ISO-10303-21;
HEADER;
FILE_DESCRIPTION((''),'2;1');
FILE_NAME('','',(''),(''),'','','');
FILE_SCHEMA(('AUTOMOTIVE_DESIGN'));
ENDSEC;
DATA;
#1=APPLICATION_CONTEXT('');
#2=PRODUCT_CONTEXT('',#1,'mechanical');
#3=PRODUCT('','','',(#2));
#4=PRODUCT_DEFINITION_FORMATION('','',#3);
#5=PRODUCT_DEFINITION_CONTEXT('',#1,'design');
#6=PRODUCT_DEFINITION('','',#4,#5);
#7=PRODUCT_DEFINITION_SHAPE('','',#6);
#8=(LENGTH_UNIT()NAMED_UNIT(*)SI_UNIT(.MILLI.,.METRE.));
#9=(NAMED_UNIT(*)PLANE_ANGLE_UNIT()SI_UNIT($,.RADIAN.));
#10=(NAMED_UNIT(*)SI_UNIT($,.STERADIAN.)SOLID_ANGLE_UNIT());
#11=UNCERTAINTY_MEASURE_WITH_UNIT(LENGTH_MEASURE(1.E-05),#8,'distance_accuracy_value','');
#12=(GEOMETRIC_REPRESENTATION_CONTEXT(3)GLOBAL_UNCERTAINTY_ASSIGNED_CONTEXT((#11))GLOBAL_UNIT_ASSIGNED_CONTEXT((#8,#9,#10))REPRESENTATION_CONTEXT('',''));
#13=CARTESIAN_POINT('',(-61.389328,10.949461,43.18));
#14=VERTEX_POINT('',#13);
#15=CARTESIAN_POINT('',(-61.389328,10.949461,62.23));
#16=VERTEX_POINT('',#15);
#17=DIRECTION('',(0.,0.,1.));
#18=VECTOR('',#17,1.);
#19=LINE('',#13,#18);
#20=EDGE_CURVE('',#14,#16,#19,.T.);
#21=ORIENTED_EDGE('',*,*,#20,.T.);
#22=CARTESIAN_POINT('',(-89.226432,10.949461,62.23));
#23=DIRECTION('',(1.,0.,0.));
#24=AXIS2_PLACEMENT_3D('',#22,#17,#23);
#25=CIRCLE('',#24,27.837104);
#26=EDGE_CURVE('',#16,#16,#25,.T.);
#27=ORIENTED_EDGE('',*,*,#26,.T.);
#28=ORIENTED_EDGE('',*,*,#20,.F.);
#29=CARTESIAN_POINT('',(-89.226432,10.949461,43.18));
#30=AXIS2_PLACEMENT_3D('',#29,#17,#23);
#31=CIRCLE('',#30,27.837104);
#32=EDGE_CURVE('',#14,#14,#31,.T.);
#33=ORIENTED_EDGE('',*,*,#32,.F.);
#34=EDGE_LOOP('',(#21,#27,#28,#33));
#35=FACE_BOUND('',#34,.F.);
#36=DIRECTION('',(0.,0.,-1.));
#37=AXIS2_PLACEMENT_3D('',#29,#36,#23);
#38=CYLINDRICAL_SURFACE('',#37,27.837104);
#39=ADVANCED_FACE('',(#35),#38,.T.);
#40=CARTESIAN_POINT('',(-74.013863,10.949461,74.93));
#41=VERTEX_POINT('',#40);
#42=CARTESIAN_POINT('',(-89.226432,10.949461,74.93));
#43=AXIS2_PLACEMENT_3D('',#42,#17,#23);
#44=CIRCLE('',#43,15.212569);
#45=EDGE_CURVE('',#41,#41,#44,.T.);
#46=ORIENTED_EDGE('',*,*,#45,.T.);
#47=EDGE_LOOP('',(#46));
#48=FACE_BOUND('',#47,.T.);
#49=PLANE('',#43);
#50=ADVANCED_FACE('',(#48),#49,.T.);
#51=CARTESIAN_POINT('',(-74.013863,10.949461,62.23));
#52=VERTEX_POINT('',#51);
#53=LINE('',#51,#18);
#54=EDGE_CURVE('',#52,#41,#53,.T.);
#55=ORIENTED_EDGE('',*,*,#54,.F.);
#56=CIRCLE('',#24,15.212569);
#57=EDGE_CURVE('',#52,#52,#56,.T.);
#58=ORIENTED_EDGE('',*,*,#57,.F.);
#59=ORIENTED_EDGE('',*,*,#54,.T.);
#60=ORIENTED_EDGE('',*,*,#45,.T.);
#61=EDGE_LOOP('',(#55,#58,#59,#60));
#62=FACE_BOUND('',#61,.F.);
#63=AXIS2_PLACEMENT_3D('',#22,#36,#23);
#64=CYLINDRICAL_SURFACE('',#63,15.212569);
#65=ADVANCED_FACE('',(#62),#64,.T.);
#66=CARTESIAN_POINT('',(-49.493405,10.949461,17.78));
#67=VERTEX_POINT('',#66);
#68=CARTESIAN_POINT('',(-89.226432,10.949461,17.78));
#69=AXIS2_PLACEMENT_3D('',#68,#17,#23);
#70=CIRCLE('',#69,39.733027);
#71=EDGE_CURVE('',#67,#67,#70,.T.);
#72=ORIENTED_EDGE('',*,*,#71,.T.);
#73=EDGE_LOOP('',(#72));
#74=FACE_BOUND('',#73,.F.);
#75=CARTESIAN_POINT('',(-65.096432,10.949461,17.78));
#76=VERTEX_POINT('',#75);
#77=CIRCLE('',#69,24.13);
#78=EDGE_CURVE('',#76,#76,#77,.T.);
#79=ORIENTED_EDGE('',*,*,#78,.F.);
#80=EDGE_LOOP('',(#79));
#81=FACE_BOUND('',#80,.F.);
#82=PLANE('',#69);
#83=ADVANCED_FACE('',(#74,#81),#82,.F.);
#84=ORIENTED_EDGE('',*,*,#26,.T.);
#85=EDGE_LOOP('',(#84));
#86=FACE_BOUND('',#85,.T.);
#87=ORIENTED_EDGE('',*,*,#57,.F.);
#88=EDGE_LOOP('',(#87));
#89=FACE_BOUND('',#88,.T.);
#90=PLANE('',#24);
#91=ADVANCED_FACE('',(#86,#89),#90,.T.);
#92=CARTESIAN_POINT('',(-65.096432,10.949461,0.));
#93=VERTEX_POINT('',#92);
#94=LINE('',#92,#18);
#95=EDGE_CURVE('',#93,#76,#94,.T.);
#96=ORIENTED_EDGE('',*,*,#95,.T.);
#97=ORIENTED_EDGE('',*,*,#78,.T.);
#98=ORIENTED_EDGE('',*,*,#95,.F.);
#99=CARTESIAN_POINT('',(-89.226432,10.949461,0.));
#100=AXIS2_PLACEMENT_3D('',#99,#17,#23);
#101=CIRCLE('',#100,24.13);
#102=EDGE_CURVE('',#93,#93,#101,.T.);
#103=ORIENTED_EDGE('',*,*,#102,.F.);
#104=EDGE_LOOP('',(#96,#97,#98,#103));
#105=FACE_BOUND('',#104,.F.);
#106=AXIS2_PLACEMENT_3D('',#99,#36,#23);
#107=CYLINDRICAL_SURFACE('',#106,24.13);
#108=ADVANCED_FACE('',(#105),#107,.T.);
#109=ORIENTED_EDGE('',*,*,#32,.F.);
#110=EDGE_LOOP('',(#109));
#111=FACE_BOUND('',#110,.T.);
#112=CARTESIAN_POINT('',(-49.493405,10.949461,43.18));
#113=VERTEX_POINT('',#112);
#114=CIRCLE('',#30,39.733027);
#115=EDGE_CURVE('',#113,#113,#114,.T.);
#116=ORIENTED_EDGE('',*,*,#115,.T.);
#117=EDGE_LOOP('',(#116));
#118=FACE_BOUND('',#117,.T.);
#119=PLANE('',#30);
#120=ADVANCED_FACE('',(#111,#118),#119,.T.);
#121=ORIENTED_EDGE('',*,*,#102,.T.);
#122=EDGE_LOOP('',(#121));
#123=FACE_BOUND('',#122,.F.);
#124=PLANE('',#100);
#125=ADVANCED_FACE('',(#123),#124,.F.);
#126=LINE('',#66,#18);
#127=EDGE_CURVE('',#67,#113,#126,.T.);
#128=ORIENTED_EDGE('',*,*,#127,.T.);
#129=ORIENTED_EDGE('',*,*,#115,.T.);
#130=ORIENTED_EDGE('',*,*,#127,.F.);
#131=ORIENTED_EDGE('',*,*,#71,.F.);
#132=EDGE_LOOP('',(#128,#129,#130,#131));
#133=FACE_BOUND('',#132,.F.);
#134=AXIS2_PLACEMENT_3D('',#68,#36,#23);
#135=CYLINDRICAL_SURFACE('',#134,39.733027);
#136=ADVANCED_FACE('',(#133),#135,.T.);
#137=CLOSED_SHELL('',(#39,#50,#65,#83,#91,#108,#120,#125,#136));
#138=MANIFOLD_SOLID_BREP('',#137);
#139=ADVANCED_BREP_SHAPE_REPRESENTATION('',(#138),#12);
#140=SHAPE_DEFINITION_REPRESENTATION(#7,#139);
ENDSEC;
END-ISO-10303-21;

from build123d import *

# Parameters (mm, degrees)
F0_R     = 24.13
F1_DEPTH = 17.78
F2_R     = 39.733027
F2_R_2   = 24.13
F3_DEPTH = 25.4
F4_R     = 27.837104
F5_DEPTH = 19.05
F6_R     = 15.212569
F7_DEPTH = 12.7


with BuildPart() as f1:
    # F0 (on Top) → F1 (new body)
    with BuildSketch(Plane.XY):
        with Locations((-89.226432, 10.949461)):
            Circle(F0_R)
    extrude(amount=F1_DEPTH)

    # F2 (on face) → F3 (join)
    with BuildSketch(Plane.XY.offset(17.78)):
        with Locations((-89.226432, 10.949461)):
            Circle(F2_R)
        with Locations((-89.226432, 10.949461)):
            Circle(F2_R_2, mode=Mode.SUBTRACT)
        with Locations((-89.226432, 10.949461)):
            Circle(F2_R_2)
    extrude(amount=F3_DEPTH)

    # F4 (on face) → F5 (join)
    with BuildSketch(Plane.XY.offset(43.18)):
        with Locations((-89.226432, 10.949461)):
            Circle(F4_R)
    extrude(amount=F5_DEPTH)

    # F6 (on face) → F7 (join)
    with BuildSketch(Plane.XY.offset(62.23)):
        with Locations((-89.226432, 10.949461)):
            Circle(F6_R)
    extrude(amount=F7_DEPTH)


solid = f1.part
